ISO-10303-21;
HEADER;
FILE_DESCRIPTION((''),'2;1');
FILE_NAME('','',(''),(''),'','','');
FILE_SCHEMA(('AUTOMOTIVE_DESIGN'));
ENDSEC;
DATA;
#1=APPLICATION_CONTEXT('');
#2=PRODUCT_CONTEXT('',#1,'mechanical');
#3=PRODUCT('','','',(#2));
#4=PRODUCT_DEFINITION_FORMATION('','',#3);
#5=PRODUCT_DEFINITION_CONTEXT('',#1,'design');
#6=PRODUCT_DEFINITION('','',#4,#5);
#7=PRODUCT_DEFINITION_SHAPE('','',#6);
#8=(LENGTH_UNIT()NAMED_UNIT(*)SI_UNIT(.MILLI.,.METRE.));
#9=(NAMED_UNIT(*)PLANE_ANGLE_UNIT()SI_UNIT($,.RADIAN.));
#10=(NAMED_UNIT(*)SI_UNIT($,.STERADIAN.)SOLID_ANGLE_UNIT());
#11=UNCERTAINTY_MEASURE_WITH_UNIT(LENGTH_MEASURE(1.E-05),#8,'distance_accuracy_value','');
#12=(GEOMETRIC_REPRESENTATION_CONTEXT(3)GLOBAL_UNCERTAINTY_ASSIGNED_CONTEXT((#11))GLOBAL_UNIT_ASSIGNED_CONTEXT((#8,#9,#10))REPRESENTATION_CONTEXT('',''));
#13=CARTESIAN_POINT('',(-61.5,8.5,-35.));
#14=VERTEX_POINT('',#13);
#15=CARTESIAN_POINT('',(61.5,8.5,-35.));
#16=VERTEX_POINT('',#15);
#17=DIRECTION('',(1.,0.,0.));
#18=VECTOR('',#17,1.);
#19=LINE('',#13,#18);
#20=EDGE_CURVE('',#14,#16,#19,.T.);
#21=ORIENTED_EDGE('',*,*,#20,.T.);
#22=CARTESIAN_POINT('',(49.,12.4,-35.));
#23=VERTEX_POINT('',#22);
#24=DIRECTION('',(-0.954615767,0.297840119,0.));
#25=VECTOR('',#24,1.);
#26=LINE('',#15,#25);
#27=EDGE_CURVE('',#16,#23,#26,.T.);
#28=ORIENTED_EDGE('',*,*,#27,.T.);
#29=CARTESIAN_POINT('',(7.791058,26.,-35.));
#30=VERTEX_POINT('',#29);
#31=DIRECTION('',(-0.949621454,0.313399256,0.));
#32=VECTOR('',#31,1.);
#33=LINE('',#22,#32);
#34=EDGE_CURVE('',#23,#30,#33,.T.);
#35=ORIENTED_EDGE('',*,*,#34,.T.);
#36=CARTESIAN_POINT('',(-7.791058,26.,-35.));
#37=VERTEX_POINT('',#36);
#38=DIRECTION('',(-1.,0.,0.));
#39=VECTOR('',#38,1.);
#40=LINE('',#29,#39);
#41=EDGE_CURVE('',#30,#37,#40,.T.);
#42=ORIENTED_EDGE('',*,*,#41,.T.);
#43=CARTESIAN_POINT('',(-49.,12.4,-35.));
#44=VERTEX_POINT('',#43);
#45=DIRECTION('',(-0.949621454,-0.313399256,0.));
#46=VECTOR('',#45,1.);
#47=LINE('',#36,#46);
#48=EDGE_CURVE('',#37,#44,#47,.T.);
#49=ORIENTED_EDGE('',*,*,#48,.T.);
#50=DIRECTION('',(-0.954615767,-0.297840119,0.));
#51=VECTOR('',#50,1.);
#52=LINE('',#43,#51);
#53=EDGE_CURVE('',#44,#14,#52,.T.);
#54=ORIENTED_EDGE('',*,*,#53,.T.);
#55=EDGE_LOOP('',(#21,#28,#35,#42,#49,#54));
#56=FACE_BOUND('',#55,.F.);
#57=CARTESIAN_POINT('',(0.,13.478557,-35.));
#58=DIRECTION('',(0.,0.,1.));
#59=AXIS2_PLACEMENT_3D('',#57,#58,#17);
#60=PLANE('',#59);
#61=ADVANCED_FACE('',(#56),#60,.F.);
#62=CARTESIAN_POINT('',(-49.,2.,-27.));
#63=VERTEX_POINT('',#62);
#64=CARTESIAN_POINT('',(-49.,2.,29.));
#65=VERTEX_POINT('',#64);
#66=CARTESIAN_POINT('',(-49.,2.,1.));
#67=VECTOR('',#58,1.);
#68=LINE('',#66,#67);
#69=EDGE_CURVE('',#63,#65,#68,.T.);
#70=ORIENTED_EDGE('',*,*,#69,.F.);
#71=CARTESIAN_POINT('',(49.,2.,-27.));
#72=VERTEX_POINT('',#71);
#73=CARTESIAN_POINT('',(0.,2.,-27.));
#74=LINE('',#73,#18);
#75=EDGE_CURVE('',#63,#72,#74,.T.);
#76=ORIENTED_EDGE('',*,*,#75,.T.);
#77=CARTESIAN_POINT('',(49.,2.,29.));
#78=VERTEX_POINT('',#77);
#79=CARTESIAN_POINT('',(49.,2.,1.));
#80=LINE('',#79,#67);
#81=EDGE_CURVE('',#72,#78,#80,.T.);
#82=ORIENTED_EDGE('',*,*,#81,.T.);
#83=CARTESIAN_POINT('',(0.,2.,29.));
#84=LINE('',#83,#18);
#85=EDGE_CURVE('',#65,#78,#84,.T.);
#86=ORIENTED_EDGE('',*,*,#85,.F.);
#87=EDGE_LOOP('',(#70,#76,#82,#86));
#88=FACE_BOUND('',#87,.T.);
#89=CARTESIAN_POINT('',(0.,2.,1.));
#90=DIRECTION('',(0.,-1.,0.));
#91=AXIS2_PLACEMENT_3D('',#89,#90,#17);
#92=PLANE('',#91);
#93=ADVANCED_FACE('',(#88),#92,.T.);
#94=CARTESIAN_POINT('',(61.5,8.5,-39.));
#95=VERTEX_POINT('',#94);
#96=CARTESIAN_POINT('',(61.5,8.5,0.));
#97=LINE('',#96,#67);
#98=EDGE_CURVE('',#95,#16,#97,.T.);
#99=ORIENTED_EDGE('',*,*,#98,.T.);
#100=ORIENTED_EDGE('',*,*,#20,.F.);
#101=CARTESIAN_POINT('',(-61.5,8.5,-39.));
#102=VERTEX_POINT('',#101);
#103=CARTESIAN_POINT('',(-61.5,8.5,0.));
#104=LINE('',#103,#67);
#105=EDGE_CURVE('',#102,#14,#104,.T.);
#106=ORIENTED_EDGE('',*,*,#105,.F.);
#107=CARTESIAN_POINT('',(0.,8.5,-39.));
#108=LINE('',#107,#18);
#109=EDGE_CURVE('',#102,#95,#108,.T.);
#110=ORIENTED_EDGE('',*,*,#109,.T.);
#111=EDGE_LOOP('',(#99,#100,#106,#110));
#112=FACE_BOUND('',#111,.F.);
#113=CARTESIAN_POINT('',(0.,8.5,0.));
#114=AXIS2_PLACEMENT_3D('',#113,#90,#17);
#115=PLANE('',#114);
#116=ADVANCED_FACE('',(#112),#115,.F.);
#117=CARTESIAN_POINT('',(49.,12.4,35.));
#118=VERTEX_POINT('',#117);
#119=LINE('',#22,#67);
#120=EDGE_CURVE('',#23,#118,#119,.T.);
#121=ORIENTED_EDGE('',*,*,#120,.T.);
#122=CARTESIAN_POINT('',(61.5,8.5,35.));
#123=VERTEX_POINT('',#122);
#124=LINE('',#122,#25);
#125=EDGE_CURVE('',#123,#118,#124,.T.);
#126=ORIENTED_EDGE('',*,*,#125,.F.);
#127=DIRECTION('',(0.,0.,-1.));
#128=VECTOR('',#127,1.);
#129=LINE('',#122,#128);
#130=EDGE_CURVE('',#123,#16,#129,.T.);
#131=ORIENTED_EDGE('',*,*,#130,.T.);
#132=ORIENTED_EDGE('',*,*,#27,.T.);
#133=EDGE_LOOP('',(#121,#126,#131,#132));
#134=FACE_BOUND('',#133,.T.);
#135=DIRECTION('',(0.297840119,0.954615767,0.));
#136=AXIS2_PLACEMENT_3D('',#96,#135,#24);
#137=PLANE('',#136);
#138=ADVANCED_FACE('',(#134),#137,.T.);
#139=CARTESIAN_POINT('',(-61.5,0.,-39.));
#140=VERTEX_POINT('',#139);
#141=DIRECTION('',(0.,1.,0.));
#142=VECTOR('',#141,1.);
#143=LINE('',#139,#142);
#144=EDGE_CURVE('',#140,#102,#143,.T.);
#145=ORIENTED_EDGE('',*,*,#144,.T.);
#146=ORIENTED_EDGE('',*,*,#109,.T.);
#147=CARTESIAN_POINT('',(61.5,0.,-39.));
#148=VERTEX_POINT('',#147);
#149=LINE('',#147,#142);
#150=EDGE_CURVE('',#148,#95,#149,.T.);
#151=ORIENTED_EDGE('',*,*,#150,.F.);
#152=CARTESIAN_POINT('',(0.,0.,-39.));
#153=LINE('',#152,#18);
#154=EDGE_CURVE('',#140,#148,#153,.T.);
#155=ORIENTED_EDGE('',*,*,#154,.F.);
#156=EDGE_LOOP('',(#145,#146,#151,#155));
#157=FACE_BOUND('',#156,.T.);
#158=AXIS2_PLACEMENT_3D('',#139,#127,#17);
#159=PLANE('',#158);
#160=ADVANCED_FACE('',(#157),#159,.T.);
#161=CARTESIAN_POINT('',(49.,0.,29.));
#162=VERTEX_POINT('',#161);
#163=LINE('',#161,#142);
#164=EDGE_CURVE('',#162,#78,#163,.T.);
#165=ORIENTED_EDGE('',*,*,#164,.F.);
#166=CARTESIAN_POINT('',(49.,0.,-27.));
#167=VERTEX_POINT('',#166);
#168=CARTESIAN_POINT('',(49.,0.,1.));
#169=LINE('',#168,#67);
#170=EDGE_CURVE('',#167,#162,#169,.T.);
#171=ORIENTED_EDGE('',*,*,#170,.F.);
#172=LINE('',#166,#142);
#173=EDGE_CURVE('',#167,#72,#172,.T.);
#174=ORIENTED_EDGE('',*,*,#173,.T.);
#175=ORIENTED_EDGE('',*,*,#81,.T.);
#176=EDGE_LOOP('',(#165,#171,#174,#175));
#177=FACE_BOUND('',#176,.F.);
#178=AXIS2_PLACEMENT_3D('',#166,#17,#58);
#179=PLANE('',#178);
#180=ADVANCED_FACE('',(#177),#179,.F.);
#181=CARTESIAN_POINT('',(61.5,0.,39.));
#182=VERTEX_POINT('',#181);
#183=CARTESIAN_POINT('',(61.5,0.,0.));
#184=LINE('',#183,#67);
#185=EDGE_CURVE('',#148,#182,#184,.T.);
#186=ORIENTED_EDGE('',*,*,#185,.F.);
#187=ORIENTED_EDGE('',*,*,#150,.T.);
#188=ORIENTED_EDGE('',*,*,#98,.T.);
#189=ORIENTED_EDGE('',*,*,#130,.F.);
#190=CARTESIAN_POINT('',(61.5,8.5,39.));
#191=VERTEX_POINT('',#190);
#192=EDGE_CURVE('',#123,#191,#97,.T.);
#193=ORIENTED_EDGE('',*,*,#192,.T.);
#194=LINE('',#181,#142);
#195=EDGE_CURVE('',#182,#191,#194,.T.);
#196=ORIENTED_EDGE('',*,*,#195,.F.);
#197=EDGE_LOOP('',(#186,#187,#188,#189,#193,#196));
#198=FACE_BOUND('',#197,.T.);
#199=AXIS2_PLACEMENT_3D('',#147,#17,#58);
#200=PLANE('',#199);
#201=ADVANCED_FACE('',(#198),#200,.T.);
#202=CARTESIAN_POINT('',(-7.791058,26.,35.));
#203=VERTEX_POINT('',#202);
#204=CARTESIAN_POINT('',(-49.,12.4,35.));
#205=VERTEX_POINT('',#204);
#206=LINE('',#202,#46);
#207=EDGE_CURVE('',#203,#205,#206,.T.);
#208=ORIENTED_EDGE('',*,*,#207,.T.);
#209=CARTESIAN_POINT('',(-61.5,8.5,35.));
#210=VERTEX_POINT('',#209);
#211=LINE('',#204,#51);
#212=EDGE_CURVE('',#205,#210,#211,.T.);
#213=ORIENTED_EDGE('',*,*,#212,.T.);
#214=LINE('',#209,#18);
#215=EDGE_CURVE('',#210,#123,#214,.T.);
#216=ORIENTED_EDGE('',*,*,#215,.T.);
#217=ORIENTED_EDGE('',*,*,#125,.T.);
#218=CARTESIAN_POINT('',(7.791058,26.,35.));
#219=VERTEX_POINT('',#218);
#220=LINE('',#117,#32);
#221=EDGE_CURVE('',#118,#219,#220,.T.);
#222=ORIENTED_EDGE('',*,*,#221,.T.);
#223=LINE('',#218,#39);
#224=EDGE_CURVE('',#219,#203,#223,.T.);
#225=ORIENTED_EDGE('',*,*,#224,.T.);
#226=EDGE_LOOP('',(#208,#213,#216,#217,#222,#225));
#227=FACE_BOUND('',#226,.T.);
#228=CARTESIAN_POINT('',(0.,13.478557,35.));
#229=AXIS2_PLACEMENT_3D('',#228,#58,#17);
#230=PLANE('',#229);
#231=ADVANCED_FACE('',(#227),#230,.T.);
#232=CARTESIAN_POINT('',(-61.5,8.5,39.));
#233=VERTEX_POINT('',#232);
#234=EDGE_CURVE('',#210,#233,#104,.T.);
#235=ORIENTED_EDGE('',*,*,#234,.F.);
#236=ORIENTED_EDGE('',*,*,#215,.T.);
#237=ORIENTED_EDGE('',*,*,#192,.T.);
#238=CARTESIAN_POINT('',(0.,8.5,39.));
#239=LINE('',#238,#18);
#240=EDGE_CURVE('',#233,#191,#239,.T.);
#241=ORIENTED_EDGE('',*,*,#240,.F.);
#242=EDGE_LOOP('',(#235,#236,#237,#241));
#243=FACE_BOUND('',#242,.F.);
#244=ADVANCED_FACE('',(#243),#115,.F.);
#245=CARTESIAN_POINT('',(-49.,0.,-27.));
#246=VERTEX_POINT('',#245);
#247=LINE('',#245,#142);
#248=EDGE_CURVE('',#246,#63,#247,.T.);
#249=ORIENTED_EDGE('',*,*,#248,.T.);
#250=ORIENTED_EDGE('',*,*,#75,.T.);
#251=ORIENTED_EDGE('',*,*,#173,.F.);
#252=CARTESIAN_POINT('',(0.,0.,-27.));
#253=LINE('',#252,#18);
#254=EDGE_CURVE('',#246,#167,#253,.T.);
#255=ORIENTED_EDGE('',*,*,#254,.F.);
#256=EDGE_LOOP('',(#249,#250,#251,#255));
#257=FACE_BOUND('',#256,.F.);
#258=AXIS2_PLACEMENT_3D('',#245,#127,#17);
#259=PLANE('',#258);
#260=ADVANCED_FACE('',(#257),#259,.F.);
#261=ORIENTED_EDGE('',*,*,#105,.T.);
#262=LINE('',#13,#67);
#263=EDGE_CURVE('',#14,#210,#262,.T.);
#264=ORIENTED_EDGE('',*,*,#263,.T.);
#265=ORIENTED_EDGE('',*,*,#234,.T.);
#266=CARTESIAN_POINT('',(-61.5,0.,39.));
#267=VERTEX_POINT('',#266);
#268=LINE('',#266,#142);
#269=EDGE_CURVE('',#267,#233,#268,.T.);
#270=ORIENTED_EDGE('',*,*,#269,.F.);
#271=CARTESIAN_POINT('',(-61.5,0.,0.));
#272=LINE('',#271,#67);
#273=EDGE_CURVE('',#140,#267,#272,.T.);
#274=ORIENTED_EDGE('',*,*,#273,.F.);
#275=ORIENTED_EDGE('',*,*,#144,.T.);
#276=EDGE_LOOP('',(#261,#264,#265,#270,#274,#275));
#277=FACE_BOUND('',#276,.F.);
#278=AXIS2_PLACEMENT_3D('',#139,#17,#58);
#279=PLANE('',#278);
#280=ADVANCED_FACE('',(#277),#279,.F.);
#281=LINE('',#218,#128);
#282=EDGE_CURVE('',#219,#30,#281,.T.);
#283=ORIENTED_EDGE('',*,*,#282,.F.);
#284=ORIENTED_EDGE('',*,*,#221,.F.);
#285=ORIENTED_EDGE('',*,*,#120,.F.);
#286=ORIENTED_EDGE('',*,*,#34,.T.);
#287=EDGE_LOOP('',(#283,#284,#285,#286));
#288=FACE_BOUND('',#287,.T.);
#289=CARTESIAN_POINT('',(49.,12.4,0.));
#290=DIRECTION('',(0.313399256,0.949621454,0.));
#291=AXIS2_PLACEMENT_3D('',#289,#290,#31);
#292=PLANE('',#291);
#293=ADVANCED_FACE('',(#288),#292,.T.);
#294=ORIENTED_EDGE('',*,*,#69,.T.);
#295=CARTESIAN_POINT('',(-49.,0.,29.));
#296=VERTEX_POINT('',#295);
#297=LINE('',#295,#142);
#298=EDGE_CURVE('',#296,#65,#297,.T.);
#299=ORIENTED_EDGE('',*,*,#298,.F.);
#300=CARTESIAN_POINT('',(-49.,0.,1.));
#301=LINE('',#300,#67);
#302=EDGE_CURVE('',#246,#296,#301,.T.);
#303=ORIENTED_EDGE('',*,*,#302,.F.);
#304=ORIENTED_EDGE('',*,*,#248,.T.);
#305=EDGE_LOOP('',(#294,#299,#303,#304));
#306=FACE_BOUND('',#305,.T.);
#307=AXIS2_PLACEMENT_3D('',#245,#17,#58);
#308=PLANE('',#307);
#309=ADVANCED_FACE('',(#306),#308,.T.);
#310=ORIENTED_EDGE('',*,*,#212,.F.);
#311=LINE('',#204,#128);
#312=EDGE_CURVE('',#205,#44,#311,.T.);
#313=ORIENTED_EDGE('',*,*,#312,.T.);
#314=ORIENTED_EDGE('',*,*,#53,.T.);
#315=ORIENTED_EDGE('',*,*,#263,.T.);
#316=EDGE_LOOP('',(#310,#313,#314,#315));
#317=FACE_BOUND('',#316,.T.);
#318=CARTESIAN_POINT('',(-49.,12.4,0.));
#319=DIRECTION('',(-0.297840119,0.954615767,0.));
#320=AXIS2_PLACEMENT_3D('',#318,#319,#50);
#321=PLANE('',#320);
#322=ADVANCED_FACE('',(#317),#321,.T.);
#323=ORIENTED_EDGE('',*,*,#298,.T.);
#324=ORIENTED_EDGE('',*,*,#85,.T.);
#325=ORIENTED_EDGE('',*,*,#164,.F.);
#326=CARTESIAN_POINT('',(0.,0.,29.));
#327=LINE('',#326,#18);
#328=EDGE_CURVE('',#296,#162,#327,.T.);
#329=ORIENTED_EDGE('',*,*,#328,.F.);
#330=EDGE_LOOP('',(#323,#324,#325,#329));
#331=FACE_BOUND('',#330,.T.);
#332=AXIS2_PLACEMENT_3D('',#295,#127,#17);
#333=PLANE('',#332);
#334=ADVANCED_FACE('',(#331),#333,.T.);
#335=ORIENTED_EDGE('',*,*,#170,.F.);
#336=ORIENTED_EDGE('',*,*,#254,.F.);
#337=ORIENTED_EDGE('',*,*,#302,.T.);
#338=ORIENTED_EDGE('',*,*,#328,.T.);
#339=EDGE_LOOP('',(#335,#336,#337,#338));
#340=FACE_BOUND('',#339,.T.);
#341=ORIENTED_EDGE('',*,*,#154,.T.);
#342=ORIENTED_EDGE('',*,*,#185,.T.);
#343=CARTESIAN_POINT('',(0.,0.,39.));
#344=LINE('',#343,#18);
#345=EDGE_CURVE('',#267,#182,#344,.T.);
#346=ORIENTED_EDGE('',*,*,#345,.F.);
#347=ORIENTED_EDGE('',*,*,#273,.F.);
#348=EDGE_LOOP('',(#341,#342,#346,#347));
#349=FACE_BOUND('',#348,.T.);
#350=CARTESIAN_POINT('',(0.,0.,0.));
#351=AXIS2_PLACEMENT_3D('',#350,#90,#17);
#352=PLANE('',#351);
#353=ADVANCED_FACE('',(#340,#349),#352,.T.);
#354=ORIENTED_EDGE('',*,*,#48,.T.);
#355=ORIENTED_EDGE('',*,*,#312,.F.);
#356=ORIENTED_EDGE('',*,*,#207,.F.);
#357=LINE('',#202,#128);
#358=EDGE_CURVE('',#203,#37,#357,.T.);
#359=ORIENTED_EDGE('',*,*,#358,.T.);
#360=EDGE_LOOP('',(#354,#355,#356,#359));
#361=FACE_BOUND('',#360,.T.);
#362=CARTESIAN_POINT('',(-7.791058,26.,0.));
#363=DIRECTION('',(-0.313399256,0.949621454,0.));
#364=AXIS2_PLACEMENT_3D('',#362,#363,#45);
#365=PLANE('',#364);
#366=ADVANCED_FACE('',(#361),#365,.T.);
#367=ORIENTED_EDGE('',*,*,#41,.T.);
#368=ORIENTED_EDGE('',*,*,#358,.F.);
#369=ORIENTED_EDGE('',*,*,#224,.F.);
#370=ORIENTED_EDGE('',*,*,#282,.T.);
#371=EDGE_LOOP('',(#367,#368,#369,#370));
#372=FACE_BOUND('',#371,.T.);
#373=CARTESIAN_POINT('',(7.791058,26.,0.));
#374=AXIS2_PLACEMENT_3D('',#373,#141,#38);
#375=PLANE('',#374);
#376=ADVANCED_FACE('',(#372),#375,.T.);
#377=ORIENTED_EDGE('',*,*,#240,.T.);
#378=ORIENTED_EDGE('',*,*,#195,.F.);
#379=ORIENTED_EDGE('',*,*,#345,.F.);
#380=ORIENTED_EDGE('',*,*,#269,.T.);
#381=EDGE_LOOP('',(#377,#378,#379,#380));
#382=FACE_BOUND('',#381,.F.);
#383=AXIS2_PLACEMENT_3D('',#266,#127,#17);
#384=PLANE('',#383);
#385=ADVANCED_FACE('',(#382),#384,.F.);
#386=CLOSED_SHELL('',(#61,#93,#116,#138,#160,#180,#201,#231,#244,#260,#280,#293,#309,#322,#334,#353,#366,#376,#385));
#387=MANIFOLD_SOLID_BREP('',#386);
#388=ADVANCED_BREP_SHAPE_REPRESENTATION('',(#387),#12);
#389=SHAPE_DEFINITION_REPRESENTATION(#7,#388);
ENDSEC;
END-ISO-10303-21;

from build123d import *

# Parameters (mm, degrees)
F0_W          = 123
F0_H          = 78
F1_DEPTH      = 8.5
F2_W          = 98
F2_H          = 56
F3_DEPTH      = 2
F5_DEPTH      = 35
F5_DEPTH_BACK = 35


with BuildPart() as f1:
    # F0 (on Front) → F1 (new body)
    with BuildSketch(Plane.XZ):
        Rectangle(F0_W, F0_H)
    extrude(amount=-F1_DEPTH)

    # F2 (on face) → F3 (cut)
    with BuildSketch(Plane.XZ):
        with Locations((0, 1)):
            Rectangle(F2_W, F2_H)
    extrude(amount=-F3_DEPTH, mode=Mode.SUBTRACT)

    # F4 (on Top) → F5 (join, two sides)
    with BuildSketch(Plane.XY) as f5_sk:
        Polygon((-49, 12.4), (-61.5, 8.5), (61.5, 8.5), (49, 12.4), (7.791058, 26), (0, 26), (-7.791058, 26), align=None)
    extrude(amount=F5_DEPTH)
    extrude(f5_sk.sketch, amount=-F5_DEPTH_BACK)


solid = f1.part
